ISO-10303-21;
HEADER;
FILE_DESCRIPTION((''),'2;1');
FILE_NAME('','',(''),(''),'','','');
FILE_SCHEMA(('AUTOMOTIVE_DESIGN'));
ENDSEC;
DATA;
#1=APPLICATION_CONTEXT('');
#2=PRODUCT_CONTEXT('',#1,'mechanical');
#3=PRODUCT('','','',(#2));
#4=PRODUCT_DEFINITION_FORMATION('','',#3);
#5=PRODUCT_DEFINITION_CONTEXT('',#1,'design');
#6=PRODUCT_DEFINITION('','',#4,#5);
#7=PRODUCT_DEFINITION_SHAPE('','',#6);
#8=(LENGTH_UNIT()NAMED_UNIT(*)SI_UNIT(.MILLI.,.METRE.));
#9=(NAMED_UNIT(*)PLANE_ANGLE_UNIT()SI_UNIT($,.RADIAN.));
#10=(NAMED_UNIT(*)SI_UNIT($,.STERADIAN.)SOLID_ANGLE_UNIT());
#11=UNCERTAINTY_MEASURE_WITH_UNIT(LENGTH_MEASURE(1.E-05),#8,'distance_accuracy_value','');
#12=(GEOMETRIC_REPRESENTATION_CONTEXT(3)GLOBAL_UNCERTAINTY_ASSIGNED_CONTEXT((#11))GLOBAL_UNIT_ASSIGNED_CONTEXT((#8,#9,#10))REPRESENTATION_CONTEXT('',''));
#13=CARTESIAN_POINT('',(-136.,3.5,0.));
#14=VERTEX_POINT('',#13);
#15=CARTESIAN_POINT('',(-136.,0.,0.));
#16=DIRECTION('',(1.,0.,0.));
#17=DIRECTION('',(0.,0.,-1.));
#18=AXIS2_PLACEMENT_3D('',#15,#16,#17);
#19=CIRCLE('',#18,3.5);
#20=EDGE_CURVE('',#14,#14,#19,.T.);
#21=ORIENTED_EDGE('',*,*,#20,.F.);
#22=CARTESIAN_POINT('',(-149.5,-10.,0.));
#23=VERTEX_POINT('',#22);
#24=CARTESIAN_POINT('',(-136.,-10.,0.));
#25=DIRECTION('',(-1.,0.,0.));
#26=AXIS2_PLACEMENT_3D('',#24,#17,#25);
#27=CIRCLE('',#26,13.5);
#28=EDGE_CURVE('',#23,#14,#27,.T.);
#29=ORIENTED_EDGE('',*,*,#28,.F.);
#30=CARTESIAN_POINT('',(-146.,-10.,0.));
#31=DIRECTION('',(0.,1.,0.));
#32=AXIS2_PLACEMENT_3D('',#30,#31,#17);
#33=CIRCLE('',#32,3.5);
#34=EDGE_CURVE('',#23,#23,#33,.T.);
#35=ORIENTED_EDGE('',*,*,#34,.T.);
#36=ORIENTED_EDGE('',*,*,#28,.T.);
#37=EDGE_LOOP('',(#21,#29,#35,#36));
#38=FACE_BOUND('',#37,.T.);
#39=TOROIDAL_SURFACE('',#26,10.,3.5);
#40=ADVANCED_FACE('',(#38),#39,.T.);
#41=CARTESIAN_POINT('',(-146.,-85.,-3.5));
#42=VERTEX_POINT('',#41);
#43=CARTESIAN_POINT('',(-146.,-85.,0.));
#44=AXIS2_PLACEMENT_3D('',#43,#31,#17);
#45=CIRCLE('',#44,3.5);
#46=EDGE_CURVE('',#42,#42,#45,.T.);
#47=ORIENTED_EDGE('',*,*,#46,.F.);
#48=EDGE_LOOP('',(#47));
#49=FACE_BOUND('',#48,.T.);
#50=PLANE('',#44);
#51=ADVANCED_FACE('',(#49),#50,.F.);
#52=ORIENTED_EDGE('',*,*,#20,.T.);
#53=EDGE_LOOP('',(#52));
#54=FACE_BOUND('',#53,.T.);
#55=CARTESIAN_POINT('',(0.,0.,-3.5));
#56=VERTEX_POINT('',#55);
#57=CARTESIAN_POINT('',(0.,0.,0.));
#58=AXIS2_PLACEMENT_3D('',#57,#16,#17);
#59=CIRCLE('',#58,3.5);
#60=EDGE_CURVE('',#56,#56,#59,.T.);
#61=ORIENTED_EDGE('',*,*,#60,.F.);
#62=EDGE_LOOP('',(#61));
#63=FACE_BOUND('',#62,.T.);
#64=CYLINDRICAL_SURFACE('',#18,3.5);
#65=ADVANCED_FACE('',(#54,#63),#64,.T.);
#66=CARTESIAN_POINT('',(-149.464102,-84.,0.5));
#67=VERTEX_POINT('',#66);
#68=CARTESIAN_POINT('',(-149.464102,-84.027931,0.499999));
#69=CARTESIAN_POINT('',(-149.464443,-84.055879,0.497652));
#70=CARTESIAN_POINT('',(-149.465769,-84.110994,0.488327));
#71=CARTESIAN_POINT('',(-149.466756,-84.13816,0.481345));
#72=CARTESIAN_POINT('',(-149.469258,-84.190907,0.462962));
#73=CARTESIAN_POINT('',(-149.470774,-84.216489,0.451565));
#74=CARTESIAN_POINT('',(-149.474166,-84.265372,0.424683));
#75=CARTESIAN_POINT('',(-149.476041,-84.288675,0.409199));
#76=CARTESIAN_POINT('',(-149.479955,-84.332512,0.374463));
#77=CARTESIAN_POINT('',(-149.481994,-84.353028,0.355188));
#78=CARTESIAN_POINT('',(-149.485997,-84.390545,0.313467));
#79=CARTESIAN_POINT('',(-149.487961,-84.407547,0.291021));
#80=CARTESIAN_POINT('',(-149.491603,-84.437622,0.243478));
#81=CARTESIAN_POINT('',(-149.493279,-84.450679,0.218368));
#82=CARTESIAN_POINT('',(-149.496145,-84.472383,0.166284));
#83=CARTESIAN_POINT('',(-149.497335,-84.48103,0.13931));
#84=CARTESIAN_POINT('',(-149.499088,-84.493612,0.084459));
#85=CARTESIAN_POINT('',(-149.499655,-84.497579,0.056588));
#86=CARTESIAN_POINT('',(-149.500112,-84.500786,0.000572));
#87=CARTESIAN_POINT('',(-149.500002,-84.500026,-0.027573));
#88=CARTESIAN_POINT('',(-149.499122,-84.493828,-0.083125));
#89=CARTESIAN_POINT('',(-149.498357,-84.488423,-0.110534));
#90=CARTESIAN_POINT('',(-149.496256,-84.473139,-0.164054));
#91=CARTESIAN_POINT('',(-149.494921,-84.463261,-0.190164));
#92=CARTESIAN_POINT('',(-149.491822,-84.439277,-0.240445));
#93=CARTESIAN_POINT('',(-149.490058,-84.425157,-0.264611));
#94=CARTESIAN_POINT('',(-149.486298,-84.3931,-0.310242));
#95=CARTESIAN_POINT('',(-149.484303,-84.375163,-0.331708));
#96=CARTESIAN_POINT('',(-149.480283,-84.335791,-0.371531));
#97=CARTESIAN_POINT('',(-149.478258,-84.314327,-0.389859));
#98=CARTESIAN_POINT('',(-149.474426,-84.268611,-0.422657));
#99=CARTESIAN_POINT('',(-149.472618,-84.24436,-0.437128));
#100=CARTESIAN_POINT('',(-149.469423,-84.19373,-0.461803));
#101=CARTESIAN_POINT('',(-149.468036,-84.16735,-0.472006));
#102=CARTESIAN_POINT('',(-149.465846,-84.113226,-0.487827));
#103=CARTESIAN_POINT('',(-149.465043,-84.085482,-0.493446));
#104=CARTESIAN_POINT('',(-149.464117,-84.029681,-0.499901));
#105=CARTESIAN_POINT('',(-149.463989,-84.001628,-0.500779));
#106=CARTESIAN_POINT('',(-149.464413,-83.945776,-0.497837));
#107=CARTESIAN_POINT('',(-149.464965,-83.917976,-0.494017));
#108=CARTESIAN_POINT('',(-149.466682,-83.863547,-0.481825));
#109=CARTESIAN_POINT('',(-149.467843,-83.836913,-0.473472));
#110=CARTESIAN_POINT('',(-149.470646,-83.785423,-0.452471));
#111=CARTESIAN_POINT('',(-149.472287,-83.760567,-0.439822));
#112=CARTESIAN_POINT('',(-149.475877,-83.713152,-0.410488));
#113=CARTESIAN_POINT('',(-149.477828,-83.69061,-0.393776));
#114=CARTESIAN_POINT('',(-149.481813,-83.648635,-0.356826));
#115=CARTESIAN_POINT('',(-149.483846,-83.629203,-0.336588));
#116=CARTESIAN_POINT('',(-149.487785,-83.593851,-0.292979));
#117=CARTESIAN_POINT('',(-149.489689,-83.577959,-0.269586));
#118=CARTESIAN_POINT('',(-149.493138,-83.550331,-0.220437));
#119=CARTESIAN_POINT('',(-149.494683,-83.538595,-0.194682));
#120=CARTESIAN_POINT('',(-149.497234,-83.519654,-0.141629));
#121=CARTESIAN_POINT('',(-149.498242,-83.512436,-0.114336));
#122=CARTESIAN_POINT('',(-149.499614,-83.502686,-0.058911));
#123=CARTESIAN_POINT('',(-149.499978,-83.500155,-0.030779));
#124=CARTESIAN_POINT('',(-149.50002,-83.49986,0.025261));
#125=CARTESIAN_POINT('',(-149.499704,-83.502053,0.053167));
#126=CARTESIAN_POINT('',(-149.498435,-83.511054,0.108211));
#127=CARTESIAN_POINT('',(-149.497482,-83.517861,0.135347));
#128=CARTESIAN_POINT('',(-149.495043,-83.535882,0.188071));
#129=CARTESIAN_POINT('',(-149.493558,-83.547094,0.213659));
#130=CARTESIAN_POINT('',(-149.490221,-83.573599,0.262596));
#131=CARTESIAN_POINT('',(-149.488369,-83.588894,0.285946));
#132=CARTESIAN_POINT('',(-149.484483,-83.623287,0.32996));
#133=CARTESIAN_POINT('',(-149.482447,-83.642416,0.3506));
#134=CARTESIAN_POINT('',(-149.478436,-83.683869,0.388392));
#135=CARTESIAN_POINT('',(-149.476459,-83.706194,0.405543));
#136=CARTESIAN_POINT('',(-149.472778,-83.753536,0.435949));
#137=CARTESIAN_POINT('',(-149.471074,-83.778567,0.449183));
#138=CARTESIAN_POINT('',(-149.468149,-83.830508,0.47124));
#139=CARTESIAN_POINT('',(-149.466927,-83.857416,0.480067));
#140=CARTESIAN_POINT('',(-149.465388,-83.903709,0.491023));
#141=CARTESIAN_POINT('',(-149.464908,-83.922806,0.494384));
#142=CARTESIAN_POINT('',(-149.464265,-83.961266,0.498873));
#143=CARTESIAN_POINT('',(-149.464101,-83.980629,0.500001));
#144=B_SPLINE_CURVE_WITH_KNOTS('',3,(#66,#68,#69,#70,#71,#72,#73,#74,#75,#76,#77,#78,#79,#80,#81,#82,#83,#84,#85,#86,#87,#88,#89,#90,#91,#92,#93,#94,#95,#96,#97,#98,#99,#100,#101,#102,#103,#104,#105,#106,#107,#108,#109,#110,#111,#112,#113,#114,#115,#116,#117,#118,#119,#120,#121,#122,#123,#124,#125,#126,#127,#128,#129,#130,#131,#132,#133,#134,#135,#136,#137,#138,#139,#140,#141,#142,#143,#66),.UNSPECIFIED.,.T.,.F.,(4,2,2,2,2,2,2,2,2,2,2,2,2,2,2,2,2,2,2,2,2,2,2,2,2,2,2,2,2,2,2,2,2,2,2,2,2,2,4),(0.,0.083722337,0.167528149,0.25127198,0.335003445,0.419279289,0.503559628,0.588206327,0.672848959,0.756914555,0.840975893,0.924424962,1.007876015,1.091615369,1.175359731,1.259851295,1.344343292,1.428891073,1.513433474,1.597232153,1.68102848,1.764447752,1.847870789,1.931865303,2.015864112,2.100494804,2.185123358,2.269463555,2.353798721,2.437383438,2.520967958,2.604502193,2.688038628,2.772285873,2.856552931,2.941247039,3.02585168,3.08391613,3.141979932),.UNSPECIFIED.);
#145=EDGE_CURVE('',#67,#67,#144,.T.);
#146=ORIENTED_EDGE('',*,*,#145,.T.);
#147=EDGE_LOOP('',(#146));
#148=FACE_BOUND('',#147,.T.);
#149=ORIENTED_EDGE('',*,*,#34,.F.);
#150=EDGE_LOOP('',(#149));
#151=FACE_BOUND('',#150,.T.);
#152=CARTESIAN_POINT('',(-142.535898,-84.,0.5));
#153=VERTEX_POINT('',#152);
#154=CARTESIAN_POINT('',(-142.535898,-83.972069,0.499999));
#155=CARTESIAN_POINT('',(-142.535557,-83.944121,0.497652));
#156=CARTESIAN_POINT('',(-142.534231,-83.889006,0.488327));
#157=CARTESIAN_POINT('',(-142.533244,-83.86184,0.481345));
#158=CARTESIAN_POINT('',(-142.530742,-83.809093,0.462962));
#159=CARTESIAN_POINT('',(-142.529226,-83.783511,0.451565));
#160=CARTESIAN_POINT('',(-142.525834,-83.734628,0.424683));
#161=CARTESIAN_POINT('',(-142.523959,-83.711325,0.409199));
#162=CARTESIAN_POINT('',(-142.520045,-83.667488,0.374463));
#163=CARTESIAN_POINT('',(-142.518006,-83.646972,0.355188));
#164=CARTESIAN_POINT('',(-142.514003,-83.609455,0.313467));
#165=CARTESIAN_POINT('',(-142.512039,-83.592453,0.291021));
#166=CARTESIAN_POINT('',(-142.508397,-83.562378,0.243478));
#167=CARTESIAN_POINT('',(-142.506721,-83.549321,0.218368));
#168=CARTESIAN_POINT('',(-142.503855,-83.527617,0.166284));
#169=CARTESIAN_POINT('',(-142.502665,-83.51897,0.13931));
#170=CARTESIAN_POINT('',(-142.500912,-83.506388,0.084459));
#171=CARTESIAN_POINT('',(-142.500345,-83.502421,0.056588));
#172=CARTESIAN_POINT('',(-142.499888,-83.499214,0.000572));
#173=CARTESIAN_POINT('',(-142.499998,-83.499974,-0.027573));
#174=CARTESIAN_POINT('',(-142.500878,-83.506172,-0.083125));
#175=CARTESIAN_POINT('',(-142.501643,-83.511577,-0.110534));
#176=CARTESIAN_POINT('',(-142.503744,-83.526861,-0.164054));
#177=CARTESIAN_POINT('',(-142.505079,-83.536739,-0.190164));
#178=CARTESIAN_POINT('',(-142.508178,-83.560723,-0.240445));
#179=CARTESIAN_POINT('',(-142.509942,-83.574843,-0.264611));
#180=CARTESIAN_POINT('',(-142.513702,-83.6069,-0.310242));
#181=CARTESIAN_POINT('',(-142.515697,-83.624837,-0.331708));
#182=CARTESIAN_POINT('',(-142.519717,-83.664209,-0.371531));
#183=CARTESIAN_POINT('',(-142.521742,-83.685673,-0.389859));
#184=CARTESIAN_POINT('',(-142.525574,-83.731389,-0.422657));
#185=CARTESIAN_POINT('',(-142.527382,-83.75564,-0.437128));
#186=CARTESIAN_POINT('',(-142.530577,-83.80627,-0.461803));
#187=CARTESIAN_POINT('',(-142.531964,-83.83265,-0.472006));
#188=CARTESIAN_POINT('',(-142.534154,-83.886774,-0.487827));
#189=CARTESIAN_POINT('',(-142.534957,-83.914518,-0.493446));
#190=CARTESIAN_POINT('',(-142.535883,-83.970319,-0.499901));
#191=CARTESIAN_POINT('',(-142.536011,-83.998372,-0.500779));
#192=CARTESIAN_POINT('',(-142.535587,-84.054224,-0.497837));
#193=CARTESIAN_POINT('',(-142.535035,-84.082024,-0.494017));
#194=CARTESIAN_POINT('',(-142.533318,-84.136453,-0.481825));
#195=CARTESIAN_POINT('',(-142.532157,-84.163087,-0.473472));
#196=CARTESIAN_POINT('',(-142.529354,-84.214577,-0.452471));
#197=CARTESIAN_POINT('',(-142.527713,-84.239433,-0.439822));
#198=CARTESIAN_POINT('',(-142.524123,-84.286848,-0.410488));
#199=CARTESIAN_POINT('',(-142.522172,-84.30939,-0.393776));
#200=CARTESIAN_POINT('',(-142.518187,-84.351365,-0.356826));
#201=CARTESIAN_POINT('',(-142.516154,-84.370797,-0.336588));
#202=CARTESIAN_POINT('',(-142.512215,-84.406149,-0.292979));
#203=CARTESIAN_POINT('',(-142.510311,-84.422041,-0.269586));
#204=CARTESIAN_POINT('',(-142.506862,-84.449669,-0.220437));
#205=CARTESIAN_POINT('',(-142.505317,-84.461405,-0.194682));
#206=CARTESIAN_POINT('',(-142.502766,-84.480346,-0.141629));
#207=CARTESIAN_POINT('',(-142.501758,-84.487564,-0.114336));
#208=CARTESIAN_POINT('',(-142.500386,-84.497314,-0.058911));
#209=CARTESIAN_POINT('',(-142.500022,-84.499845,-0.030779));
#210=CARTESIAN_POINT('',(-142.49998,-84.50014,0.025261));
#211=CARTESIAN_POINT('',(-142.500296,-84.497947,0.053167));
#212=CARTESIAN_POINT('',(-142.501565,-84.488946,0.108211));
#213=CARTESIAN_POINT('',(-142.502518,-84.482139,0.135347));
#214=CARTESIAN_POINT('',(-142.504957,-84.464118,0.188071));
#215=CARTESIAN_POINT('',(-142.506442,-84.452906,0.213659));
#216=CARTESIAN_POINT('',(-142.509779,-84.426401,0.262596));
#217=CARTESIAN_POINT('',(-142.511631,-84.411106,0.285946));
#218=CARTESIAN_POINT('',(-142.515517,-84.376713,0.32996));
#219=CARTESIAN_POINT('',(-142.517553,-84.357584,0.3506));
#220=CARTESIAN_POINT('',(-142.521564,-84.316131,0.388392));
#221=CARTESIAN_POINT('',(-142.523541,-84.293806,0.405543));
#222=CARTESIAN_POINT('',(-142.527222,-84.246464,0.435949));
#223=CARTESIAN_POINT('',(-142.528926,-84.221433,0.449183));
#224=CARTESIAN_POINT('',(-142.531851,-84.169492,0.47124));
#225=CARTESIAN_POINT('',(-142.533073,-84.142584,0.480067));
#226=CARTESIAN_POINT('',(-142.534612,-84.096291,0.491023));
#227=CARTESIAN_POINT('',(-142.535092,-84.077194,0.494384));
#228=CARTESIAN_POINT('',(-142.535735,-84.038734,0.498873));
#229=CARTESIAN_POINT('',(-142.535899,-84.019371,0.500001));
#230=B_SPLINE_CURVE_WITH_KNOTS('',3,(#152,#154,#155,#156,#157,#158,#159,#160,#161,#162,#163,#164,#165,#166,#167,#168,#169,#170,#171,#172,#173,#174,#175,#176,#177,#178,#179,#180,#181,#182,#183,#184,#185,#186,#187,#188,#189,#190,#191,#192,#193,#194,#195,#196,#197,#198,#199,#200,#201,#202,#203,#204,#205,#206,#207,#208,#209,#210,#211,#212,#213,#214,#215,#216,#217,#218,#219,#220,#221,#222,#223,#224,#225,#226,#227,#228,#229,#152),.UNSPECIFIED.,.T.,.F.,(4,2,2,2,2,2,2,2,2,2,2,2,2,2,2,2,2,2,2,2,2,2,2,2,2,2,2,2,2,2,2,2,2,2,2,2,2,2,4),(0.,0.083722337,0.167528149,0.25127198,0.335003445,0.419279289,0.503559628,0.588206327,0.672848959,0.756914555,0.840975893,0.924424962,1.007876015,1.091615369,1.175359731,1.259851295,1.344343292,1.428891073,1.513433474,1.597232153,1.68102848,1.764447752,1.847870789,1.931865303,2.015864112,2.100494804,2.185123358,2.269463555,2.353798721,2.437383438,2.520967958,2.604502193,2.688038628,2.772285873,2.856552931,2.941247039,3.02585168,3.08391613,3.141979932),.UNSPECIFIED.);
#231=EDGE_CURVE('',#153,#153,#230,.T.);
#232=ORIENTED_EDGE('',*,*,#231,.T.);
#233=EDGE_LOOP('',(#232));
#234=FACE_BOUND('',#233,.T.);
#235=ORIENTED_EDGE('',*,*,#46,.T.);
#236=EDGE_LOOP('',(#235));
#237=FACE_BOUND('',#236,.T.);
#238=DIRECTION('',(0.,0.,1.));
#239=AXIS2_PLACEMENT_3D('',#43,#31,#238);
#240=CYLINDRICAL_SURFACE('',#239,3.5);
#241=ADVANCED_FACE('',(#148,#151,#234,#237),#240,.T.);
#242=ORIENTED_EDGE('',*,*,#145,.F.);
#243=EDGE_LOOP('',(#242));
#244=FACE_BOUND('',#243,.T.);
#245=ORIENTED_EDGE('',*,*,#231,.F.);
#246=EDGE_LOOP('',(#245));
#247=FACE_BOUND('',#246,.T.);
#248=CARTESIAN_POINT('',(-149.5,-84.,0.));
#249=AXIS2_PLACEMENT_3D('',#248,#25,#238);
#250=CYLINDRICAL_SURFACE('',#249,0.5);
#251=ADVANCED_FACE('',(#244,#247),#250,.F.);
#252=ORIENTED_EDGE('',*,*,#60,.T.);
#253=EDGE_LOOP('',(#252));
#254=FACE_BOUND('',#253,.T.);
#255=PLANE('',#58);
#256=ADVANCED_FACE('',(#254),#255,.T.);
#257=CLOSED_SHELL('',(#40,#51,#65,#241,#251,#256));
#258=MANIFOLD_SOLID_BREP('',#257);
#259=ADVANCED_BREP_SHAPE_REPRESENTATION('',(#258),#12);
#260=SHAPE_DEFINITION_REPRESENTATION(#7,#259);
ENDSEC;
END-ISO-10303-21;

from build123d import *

# Parameters (mm, degrees)
SKETCH5_R               = 3.5
CUT_EXTRUDE3_DEPTH      = 173.444918744
CUT_EXTRUDE3_DEPTH_BACK = 173.444918744
SKETCH9_R               = 0.5


with BuildPart() as part:
    # Sweep1: sweep along a path in Sketch1
    with BuildLine(Plane.XY) as sweep1_path:
        Line((0, 0), (-136, 0))
        ThreePointArc((-136, 0), (-143.071067812, -2.928932188), (-146, -10))
        Line((-146, -10), (-146, -85))
    # Sketch5 → Sweep1 (sweep)
    with BuildSketch(Plane(origin=(0, 0, 0), x_dir=(0, 0, -1), z_dir=(1, 0, 0))):
        Circle(SKETCH5_R)
    sweep(path=sweep1_path.line)

    # Sketch9 → Cut-Extrude3 (cut, two sides: drawn at the far end of the back side and taken through both)
    with BuildSketch(Plane(origin=(-150, 0, 0), x_dir=(0, 0, -1), z_dir=(1, 0, 0)).offset(-CUT_EXTRUDE3_DEPTH_BACK)):
        with Locations(Location((0, -84, 0), (0, 0, 180))):
            Circle(SKETCH9_R)
    extrude(amount=CUT_EXTRUDE3_DEPTH + CUT_EXTRUDE3_DEPTH_BACK, mode=Mode.SUBTRACT)


solid = part.part
